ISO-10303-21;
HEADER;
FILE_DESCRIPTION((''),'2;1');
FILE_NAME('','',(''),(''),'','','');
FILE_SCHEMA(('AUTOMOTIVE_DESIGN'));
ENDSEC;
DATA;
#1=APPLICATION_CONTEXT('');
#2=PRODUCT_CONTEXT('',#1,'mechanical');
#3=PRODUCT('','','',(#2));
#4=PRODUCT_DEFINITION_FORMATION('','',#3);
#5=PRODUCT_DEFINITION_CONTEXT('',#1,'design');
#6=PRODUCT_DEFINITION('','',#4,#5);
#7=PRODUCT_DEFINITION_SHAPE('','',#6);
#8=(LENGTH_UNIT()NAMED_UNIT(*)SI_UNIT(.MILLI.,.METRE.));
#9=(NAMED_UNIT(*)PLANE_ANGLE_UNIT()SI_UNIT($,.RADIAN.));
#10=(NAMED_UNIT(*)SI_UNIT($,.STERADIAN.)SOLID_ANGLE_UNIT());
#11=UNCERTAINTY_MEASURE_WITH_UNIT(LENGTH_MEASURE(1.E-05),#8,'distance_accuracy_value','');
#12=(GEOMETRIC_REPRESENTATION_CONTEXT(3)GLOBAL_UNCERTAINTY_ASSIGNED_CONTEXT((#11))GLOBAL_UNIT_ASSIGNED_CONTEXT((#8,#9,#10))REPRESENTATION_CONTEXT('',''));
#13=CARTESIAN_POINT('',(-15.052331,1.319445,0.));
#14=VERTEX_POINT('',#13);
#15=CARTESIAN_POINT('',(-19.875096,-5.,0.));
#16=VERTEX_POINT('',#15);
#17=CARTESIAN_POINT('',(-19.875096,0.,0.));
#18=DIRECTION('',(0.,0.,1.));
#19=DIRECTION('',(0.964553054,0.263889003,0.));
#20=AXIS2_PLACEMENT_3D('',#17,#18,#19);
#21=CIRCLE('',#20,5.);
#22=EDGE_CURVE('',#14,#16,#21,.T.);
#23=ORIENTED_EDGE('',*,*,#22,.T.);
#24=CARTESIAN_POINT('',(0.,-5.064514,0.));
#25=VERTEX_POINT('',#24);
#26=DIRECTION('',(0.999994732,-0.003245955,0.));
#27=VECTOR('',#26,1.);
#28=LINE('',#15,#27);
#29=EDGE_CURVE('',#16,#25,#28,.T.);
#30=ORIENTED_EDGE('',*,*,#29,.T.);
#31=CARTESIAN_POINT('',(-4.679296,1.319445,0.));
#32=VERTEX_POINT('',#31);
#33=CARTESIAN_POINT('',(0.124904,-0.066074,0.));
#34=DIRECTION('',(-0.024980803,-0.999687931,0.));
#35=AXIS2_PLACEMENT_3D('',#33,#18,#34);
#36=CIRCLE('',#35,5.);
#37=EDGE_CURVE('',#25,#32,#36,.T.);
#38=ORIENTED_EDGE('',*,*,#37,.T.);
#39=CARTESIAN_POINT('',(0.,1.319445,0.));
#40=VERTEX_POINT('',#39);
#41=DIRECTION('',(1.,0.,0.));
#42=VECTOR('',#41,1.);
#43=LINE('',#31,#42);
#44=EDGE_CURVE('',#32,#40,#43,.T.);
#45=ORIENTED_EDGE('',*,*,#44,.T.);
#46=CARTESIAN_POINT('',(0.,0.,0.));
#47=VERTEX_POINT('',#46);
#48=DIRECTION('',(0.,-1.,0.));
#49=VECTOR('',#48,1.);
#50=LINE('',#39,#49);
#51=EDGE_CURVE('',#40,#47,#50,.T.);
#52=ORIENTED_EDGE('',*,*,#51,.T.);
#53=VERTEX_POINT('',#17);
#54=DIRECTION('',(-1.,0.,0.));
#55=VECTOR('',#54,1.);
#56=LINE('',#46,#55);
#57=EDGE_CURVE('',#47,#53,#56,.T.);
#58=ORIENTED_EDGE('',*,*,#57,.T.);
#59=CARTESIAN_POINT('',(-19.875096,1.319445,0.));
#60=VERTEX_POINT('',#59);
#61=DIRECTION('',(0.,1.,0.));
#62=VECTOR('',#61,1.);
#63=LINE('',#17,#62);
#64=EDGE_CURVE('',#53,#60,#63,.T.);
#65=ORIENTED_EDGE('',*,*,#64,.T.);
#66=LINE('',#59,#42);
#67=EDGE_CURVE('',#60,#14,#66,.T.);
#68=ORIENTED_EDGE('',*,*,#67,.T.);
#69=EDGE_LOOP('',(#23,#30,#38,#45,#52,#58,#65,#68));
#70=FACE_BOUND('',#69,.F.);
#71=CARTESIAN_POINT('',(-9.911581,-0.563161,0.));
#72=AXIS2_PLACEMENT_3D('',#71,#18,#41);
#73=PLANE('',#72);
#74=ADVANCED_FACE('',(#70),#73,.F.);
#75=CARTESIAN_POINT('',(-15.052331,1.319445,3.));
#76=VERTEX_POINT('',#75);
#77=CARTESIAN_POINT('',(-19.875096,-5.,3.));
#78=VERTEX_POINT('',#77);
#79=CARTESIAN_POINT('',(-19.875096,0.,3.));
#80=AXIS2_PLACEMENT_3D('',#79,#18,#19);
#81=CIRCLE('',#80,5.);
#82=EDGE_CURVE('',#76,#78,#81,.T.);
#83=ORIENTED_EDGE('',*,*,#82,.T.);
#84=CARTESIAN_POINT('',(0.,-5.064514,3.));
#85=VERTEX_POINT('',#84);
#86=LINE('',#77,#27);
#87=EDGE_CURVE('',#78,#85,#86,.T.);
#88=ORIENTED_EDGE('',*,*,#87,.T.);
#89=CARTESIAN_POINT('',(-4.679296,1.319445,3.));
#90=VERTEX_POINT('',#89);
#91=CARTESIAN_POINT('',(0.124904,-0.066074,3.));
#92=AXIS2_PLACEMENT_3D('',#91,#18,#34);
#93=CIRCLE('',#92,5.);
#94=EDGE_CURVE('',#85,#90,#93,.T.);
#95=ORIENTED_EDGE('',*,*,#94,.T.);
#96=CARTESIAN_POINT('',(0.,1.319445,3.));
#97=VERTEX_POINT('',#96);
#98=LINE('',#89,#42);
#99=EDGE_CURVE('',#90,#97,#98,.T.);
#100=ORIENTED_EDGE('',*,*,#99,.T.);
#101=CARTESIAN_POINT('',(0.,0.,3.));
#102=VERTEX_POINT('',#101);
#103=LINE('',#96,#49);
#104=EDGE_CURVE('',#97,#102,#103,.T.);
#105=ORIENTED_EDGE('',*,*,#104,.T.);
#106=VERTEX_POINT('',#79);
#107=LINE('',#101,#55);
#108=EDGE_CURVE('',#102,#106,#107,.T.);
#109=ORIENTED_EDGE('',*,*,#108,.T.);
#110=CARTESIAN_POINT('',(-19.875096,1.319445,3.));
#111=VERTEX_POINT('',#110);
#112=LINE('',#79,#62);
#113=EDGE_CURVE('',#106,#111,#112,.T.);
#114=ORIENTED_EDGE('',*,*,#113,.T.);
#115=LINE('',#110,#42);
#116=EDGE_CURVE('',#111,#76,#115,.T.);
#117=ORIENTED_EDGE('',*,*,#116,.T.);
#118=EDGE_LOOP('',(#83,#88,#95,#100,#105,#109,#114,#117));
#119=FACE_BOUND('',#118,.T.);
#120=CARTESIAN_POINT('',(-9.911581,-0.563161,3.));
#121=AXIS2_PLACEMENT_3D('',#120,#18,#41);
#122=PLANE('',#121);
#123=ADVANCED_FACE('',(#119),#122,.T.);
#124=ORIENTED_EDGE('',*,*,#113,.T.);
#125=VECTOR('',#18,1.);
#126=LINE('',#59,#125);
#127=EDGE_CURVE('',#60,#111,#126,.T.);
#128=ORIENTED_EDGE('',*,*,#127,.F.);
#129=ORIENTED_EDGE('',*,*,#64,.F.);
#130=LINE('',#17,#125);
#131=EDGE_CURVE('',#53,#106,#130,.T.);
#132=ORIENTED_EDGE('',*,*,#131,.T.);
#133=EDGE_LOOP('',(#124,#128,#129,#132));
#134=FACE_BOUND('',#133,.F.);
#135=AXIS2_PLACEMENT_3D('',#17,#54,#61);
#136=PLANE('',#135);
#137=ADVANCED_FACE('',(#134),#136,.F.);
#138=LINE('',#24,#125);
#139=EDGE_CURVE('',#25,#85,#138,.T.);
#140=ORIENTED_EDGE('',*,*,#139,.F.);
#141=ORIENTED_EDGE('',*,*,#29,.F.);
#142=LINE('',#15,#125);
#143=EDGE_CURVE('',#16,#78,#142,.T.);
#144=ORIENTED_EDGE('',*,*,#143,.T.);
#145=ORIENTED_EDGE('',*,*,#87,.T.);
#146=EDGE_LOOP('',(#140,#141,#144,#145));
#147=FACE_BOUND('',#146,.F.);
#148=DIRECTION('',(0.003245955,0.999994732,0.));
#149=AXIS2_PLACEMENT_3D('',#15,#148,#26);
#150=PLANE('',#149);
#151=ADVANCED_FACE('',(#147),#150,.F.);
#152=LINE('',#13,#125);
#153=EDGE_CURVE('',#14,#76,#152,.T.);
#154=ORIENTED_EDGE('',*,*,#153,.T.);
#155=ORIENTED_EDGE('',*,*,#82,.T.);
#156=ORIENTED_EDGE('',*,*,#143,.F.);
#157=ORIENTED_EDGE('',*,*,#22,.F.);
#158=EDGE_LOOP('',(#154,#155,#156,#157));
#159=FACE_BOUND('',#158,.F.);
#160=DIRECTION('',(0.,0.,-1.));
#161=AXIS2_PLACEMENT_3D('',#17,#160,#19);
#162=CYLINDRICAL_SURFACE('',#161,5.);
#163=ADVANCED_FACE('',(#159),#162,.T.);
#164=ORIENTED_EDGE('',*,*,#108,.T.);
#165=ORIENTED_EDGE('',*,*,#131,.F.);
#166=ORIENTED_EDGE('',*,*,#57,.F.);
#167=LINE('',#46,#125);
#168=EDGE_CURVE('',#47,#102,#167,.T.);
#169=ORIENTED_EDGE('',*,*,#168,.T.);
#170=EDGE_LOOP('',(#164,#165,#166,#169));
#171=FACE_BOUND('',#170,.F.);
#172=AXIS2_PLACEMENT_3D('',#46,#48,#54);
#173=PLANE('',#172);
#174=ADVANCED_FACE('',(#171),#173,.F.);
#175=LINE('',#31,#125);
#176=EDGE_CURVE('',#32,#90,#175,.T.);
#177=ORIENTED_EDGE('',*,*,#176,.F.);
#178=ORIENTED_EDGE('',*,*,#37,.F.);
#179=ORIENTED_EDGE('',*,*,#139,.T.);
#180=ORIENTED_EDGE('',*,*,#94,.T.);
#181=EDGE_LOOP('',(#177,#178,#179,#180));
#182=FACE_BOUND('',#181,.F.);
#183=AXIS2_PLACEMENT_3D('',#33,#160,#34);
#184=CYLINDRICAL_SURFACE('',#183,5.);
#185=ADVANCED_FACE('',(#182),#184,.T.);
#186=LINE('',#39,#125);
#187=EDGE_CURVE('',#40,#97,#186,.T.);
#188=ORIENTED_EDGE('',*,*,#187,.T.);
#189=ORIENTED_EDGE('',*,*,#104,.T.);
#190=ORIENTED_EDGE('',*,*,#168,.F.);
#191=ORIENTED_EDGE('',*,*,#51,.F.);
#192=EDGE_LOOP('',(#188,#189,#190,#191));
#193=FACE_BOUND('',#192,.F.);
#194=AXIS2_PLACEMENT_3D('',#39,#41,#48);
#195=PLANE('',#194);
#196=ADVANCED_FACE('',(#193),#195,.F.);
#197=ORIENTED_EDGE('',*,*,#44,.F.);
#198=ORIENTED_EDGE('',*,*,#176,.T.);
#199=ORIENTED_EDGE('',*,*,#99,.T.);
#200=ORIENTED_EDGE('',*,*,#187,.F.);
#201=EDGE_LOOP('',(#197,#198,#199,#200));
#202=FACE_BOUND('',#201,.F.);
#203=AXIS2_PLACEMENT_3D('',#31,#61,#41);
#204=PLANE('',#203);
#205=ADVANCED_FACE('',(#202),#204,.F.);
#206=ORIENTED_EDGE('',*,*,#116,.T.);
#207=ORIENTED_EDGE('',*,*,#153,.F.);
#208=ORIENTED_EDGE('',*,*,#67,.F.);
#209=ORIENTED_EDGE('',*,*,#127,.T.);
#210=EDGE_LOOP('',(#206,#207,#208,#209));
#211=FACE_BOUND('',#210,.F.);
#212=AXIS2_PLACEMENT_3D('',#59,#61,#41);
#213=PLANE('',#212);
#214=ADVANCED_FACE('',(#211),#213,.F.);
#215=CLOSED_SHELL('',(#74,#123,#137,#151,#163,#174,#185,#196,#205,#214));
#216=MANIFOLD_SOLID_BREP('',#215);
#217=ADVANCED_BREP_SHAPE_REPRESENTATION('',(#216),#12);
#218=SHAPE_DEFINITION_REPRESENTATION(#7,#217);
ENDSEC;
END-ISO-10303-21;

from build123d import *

# Parameters (mm, degrees)
F1_DEPTH = 3


with BuildPart() as f1:
    # F0 (on Top) → F1 (new body)
    with BuildSketch(Plane.XY):
        with BuildLine():
            Line((-19.875096, -5), (0, -5.064514))
            ThreePointArc((0, -5.064514), (4.157614, 2.88981), (-4.679296, 1.319445))
            Line((-4.679296, 1.319445), (0, 1.319445))
            Line((0, 1.319445), (0, 0))
            Line((0, 0), (-19.875096, 0))
            Line((-19.875096, 0), (-19.875096, 1.319445))
            Line((-19.875096, 1.319445), (-15.052331, 1.319445))
            ThreePointArc((-15.052331, 1.319445), (-23.849843, 3.033379), (-19.875096, -5))
        make_face()
    extrude(amount=F1_DEPTH)


solid = f1.part
